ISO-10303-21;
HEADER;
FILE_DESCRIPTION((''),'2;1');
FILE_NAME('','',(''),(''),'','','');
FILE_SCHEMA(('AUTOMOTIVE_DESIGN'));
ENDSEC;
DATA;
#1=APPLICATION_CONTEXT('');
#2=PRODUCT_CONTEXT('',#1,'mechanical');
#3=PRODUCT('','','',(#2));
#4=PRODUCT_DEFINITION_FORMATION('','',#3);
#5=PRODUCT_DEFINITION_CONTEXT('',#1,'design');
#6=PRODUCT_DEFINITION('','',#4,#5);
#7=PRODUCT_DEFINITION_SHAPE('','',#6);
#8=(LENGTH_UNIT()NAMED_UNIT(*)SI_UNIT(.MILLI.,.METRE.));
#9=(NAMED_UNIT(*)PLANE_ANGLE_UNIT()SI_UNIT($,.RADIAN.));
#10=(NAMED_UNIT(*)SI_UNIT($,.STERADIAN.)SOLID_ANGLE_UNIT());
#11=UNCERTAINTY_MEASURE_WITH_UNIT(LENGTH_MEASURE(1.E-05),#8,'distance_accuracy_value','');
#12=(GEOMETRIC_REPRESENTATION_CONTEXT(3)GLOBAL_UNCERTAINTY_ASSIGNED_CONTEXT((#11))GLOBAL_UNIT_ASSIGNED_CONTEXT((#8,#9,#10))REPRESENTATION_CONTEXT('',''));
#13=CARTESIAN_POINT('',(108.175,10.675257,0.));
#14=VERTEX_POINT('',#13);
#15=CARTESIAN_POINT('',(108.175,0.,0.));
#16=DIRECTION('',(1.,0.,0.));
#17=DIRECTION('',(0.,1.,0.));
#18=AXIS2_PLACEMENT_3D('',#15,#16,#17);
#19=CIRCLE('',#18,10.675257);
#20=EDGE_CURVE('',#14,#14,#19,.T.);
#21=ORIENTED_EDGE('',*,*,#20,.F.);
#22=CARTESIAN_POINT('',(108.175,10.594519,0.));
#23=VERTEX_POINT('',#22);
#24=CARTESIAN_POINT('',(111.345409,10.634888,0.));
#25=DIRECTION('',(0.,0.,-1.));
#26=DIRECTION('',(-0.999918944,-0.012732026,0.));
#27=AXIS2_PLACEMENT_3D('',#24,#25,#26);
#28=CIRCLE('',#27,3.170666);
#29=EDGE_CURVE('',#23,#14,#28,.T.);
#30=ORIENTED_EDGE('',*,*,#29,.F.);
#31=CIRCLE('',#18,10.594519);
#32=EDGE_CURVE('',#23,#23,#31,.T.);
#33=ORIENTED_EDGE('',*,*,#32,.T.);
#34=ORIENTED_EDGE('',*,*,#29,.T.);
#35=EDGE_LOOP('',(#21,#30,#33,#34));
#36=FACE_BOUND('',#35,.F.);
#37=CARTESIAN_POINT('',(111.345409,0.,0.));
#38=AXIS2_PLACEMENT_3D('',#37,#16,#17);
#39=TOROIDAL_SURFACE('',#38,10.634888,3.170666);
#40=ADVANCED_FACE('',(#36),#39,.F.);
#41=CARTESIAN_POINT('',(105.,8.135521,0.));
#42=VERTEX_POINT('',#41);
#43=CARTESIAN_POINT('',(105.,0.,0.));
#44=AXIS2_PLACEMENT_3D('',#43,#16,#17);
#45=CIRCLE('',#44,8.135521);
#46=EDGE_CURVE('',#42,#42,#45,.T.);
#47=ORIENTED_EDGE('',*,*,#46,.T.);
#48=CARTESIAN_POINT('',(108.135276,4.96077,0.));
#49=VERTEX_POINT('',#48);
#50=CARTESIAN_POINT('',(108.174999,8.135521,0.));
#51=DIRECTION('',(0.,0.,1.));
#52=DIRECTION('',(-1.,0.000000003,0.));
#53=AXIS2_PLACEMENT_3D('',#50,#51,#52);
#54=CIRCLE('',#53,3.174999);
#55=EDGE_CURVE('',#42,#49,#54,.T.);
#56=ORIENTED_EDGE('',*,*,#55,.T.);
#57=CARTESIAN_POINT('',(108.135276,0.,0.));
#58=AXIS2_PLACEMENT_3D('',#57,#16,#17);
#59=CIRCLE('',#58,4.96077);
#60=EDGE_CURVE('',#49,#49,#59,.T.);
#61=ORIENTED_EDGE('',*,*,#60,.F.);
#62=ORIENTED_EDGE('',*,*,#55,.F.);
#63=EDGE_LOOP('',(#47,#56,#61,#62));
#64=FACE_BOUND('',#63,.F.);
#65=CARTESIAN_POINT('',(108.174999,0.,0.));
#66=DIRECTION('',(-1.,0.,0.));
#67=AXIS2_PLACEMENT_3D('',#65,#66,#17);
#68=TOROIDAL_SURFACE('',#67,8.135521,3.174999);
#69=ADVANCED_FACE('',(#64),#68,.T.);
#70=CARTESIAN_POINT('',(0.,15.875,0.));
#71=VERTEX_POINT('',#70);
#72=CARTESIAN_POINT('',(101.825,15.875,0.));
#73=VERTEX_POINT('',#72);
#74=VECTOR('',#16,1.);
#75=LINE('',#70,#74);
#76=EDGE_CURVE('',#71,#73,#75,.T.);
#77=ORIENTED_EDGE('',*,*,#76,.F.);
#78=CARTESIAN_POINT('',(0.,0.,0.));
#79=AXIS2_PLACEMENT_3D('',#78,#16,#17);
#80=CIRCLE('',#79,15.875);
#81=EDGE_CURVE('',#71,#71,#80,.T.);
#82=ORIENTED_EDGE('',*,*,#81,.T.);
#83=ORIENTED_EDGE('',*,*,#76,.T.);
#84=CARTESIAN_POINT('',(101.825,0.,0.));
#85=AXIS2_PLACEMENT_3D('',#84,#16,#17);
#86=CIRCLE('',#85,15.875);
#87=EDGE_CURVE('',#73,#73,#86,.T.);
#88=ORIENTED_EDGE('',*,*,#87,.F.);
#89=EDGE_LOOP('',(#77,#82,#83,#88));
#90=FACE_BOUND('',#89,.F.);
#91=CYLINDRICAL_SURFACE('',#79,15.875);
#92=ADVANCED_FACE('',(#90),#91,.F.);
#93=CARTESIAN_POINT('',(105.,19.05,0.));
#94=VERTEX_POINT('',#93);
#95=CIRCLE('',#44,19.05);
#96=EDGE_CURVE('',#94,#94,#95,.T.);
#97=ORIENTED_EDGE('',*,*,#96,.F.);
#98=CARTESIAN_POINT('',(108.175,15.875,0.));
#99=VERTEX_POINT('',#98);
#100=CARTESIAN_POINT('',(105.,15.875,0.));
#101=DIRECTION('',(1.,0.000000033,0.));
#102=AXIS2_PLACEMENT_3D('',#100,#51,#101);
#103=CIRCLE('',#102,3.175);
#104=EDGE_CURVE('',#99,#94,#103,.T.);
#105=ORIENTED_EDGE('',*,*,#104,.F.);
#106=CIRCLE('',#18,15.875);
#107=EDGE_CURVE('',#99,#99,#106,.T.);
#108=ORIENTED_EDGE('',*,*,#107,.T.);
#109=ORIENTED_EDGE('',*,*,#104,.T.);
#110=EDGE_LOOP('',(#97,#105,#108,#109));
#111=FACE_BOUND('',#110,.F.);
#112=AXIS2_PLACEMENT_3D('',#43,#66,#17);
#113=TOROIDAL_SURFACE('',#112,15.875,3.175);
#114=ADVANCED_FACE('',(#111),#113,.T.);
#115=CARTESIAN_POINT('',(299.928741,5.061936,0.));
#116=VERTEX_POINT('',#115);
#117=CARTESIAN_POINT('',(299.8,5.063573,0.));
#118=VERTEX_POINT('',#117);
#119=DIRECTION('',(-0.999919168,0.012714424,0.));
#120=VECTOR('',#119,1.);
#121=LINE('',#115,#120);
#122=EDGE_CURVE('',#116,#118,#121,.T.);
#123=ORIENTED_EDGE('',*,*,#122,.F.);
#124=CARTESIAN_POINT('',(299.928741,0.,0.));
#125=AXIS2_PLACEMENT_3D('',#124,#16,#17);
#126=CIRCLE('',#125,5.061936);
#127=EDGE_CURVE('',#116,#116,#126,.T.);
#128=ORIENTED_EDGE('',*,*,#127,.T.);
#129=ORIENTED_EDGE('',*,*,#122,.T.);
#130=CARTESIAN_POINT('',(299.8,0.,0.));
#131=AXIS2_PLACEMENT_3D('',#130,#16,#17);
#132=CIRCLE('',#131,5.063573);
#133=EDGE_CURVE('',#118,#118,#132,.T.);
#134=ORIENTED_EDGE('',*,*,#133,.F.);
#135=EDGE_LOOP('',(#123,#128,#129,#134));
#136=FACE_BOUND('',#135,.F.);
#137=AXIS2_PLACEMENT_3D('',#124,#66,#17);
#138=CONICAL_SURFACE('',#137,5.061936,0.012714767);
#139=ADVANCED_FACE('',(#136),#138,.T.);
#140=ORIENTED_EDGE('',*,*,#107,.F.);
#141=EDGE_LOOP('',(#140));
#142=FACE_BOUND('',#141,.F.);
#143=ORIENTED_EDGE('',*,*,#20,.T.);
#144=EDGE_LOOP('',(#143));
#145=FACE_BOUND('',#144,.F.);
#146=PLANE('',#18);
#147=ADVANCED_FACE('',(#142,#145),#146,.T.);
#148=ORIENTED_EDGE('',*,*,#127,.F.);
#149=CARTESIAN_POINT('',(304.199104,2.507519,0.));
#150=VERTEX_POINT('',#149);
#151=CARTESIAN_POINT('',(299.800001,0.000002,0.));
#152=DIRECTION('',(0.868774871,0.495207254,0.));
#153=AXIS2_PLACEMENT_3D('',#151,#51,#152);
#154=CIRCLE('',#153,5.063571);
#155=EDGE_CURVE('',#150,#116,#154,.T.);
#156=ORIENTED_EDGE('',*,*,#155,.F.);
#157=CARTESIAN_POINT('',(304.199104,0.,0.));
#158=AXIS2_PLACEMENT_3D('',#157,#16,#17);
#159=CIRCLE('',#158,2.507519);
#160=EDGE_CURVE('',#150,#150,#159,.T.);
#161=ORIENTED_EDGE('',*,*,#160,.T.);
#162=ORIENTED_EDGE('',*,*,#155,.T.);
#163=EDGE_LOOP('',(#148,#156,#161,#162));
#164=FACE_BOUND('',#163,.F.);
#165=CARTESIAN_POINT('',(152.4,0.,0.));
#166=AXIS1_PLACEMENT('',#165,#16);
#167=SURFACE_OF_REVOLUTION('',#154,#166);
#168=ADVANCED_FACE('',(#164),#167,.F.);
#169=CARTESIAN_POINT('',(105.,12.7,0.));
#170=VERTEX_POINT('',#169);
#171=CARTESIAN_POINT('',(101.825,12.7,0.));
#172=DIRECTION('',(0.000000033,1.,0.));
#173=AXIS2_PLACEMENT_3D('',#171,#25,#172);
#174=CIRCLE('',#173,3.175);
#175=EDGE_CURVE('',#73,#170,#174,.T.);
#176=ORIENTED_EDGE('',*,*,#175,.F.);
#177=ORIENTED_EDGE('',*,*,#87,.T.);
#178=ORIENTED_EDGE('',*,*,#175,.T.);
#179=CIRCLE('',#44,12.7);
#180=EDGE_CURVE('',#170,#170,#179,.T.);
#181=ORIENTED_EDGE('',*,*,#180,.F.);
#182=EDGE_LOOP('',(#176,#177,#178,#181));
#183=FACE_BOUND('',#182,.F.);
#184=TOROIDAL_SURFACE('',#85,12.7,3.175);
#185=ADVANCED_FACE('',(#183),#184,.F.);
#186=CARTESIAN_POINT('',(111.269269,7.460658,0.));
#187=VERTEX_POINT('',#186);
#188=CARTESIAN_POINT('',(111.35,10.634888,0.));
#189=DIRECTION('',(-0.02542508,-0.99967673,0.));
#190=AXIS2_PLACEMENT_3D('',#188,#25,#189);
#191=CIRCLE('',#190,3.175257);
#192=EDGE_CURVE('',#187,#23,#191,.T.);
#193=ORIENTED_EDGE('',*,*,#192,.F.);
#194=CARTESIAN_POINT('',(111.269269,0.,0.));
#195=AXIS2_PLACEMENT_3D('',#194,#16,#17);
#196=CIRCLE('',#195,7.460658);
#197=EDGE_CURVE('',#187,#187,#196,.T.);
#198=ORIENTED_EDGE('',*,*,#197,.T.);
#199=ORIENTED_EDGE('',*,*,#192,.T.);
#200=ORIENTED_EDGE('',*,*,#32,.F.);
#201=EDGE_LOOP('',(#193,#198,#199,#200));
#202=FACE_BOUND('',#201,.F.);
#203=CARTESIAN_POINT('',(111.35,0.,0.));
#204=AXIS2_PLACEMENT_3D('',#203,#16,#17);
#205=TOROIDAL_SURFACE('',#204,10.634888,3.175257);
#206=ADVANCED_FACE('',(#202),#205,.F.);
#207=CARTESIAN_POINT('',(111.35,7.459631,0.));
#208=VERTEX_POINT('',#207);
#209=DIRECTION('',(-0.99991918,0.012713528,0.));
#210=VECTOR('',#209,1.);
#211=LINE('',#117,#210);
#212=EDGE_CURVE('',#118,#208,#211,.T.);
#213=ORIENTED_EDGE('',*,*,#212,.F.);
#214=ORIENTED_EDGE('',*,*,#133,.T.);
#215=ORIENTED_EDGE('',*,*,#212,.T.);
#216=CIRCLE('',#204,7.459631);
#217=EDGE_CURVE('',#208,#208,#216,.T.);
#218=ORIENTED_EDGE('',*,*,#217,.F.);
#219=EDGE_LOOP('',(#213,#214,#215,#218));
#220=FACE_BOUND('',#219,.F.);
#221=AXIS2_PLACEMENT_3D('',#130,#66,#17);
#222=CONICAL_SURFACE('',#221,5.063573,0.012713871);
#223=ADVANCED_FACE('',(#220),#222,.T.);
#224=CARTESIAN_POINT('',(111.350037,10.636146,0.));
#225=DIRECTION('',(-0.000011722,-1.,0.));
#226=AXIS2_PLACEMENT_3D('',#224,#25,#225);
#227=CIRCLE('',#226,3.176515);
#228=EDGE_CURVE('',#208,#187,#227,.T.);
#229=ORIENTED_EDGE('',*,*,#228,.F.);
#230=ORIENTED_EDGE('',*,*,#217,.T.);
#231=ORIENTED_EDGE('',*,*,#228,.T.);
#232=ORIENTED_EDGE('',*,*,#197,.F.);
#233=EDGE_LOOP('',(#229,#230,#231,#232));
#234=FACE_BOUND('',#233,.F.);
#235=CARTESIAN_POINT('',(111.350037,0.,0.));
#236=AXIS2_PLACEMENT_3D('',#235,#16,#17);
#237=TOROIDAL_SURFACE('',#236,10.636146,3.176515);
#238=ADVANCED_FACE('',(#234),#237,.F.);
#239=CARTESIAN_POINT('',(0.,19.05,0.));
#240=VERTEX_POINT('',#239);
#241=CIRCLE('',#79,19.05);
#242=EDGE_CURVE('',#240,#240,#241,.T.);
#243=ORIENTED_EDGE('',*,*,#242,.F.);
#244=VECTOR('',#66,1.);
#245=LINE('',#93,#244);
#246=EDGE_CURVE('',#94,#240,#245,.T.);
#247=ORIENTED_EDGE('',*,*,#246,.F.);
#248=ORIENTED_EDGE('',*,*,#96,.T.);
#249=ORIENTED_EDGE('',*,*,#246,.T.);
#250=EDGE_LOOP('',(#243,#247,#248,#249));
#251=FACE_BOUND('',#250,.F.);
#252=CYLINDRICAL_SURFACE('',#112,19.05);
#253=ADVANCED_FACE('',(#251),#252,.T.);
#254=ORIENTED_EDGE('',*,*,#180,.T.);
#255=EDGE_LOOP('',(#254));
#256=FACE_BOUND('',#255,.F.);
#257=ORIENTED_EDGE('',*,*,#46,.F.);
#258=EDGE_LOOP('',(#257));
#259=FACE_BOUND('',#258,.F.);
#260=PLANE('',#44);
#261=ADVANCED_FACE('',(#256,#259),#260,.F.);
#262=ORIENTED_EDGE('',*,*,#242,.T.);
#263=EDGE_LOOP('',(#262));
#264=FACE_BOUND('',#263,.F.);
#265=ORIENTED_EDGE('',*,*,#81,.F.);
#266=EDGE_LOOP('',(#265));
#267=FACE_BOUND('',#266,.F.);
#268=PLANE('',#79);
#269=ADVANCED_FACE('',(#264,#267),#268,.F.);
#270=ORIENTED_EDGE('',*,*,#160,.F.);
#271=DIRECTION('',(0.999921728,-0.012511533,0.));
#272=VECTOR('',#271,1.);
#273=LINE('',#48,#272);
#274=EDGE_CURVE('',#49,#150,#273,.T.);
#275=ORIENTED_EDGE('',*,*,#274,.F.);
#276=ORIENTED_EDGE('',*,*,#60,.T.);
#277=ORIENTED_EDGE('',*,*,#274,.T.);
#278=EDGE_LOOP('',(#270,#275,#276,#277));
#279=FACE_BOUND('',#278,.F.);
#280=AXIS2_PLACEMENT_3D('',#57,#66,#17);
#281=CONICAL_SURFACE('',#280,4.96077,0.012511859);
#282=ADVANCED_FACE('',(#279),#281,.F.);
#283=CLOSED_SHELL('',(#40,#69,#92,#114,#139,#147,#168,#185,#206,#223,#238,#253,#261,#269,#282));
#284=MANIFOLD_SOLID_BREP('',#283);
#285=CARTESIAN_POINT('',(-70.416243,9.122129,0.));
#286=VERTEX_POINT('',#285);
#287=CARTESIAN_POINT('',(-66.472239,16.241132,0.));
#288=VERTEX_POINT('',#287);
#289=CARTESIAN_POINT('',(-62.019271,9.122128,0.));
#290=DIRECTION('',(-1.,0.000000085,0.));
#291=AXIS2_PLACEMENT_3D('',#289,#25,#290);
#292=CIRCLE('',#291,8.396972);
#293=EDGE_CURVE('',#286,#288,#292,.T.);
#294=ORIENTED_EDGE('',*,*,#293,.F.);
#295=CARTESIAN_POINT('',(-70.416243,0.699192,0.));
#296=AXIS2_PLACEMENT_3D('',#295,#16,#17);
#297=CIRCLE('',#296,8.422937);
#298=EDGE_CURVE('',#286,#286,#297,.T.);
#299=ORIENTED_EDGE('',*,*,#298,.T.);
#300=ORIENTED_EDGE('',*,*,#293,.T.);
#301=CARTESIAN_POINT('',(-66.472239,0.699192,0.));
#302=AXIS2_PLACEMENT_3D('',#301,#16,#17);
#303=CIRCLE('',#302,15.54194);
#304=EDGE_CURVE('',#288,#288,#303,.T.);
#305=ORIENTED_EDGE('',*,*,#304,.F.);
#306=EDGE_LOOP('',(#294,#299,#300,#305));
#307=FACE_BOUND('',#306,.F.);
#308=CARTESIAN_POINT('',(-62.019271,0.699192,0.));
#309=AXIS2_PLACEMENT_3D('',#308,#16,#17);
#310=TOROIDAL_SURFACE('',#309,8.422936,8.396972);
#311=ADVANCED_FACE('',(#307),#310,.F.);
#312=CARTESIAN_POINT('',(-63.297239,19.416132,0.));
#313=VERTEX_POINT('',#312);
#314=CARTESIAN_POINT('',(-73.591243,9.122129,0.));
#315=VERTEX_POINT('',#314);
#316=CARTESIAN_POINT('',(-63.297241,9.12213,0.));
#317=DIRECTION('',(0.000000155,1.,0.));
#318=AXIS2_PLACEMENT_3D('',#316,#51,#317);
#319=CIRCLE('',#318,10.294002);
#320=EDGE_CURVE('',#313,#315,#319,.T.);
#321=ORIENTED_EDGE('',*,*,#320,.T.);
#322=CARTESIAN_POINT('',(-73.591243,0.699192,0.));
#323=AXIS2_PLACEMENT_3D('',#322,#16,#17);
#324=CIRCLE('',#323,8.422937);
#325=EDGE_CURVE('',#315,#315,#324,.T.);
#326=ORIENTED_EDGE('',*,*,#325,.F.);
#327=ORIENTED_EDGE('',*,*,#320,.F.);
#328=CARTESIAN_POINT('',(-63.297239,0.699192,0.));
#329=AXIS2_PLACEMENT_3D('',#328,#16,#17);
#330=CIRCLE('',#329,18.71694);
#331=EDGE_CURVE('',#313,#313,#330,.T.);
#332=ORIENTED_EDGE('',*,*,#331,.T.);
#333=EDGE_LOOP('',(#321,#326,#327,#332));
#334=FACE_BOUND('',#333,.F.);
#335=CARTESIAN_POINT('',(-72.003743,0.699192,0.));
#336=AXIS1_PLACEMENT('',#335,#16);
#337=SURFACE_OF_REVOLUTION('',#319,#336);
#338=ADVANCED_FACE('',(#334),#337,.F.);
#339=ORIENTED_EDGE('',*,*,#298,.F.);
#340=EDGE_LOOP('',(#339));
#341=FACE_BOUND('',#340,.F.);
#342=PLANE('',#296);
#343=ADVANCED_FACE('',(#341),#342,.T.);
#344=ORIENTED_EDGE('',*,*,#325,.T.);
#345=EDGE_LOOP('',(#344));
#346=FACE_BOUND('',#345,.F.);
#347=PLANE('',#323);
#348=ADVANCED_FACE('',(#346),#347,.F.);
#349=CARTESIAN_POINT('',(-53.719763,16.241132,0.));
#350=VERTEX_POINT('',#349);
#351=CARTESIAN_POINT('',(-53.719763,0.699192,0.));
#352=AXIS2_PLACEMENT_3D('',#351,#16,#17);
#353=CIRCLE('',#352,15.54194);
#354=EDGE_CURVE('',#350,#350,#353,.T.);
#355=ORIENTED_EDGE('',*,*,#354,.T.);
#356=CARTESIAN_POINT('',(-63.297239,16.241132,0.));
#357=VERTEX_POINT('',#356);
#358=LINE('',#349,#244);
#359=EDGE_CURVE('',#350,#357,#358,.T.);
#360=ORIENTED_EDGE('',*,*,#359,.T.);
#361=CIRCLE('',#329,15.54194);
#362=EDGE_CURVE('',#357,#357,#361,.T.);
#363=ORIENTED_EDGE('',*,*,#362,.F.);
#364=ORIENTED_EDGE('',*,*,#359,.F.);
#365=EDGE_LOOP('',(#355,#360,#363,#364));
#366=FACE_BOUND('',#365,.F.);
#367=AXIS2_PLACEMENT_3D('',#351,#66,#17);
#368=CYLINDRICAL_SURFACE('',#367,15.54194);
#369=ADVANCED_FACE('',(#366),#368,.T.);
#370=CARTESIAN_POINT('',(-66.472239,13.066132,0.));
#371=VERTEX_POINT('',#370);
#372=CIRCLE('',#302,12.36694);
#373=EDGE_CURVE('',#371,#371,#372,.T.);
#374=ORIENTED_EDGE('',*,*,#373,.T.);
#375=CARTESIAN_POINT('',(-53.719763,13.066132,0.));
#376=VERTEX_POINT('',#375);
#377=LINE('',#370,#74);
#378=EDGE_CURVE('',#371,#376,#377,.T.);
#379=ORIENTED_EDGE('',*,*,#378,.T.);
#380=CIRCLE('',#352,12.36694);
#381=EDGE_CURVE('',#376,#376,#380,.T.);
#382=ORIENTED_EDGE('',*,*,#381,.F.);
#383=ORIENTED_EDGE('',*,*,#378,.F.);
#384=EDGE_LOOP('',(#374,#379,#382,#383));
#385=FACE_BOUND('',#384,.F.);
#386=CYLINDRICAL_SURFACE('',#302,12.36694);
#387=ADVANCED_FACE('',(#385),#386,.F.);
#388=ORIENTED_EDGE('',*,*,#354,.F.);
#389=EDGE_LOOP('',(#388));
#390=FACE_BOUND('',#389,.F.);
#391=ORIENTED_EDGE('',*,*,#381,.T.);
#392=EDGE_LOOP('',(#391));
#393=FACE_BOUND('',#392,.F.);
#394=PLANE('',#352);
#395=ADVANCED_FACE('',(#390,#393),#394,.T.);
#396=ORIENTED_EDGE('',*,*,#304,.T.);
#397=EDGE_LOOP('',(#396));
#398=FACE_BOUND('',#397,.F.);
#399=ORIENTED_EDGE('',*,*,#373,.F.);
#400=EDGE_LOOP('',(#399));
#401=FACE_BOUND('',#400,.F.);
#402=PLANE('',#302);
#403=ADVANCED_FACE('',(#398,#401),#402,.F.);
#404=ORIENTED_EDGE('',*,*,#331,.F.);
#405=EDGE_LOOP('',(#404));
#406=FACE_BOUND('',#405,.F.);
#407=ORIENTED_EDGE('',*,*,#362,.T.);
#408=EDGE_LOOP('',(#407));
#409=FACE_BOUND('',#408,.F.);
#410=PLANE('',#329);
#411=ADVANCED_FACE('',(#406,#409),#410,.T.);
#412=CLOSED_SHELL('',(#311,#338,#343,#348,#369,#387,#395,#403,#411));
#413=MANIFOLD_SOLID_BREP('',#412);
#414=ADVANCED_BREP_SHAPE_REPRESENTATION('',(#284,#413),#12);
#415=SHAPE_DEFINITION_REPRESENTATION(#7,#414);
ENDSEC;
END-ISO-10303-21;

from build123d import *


with BuildPart() as f1:
    # F0 (on Top) → F1 (revolve)
    with BuildSketch(Plane.XY):
        with BuildLine():
            Line((108.135276, 4.96077), (304.199104, 2.507519))
            ThreePointArc((304.199104, 2.507519), (302.399348, 4.345476), (299.928741, 5.061936))
            Line((299.928741, 5.061936), (299.8, 5.063573))
            Line((299.8, 5.063573), (111.35, 7.459631))
            ThreePointArc((111.35, 7.459631), (111.309631, 7.459888), (111.269269, 7.460658))
            ThreePointArc((111.269269, 7.460658), (109.090527, 8.403961), (108.175, 10.594519))
            ThreePointArc((108.175, 10.594519), (108.174743, 10.634888), (108.175, 10.675257))
            Line((108.175, 10.675257), (108.175, 15.875))
            ThreePointArc((108.175, 15.875), (107.245064, 18.120064), (105, 19.05))
            Line((105, 19.05), (0, 19.05))
            Line((0, 19.05), (0, 15.875))
            Line((0, 15.875), (101.825, 15.875))
            ThreePointArc((101.825, 15.875), (104.070064, 14.945064), (105, 12.7))
            Line((105, 12.7), (105, 8.135521))
            ThreePointArc((105, 8.135521), (105.915935, 5.904546), (108.135276, 4.96077))
        make_face()
    revolve(axis=Axis((152.4, 0, 0), (1, 0, 0)))


with BuildPart() as f3:
    # F2 (on Top) → F3 (revolve)
    with BuildSketch(Plane.XY):
        with BuildLine():
            Line((-53.719763, 13.066132), (-53.719763, 16.241132))
            Line((-53.719763, 16.241132), (-63.297239, 16.241132))
            Line((-63.297239, 16.241132), (-63.297239, 19.416132))
            ThreePointArc((-63.297239, 19.416132), (-70.576199, 16.401089), (-73.591243, 9.122129))
            Line((-73.591243, 9.122129), (-73.591243, 0.699192))
            Line((-73.591243, 0.699192), (-70.416243, 0.699192))
            Line((-70.416243, 0.699192), (-70.416243, 9.122129))
            ThreePointArc((-70.416243, 9.122129), (-69.364357, 13.191385), (-66.472239, 16.241132))
            Line((-66.472239, 16.241132), (-66.472239, 13.066132))
            Line((-66.472239, 13.066132), (-53.719763, 13.066132))
        make_face()
    revolve(axis=Axis((-72.003743, 0.699192, 0), (1, 0, 0)))


solid = Compound([f1.part, f3.part])
